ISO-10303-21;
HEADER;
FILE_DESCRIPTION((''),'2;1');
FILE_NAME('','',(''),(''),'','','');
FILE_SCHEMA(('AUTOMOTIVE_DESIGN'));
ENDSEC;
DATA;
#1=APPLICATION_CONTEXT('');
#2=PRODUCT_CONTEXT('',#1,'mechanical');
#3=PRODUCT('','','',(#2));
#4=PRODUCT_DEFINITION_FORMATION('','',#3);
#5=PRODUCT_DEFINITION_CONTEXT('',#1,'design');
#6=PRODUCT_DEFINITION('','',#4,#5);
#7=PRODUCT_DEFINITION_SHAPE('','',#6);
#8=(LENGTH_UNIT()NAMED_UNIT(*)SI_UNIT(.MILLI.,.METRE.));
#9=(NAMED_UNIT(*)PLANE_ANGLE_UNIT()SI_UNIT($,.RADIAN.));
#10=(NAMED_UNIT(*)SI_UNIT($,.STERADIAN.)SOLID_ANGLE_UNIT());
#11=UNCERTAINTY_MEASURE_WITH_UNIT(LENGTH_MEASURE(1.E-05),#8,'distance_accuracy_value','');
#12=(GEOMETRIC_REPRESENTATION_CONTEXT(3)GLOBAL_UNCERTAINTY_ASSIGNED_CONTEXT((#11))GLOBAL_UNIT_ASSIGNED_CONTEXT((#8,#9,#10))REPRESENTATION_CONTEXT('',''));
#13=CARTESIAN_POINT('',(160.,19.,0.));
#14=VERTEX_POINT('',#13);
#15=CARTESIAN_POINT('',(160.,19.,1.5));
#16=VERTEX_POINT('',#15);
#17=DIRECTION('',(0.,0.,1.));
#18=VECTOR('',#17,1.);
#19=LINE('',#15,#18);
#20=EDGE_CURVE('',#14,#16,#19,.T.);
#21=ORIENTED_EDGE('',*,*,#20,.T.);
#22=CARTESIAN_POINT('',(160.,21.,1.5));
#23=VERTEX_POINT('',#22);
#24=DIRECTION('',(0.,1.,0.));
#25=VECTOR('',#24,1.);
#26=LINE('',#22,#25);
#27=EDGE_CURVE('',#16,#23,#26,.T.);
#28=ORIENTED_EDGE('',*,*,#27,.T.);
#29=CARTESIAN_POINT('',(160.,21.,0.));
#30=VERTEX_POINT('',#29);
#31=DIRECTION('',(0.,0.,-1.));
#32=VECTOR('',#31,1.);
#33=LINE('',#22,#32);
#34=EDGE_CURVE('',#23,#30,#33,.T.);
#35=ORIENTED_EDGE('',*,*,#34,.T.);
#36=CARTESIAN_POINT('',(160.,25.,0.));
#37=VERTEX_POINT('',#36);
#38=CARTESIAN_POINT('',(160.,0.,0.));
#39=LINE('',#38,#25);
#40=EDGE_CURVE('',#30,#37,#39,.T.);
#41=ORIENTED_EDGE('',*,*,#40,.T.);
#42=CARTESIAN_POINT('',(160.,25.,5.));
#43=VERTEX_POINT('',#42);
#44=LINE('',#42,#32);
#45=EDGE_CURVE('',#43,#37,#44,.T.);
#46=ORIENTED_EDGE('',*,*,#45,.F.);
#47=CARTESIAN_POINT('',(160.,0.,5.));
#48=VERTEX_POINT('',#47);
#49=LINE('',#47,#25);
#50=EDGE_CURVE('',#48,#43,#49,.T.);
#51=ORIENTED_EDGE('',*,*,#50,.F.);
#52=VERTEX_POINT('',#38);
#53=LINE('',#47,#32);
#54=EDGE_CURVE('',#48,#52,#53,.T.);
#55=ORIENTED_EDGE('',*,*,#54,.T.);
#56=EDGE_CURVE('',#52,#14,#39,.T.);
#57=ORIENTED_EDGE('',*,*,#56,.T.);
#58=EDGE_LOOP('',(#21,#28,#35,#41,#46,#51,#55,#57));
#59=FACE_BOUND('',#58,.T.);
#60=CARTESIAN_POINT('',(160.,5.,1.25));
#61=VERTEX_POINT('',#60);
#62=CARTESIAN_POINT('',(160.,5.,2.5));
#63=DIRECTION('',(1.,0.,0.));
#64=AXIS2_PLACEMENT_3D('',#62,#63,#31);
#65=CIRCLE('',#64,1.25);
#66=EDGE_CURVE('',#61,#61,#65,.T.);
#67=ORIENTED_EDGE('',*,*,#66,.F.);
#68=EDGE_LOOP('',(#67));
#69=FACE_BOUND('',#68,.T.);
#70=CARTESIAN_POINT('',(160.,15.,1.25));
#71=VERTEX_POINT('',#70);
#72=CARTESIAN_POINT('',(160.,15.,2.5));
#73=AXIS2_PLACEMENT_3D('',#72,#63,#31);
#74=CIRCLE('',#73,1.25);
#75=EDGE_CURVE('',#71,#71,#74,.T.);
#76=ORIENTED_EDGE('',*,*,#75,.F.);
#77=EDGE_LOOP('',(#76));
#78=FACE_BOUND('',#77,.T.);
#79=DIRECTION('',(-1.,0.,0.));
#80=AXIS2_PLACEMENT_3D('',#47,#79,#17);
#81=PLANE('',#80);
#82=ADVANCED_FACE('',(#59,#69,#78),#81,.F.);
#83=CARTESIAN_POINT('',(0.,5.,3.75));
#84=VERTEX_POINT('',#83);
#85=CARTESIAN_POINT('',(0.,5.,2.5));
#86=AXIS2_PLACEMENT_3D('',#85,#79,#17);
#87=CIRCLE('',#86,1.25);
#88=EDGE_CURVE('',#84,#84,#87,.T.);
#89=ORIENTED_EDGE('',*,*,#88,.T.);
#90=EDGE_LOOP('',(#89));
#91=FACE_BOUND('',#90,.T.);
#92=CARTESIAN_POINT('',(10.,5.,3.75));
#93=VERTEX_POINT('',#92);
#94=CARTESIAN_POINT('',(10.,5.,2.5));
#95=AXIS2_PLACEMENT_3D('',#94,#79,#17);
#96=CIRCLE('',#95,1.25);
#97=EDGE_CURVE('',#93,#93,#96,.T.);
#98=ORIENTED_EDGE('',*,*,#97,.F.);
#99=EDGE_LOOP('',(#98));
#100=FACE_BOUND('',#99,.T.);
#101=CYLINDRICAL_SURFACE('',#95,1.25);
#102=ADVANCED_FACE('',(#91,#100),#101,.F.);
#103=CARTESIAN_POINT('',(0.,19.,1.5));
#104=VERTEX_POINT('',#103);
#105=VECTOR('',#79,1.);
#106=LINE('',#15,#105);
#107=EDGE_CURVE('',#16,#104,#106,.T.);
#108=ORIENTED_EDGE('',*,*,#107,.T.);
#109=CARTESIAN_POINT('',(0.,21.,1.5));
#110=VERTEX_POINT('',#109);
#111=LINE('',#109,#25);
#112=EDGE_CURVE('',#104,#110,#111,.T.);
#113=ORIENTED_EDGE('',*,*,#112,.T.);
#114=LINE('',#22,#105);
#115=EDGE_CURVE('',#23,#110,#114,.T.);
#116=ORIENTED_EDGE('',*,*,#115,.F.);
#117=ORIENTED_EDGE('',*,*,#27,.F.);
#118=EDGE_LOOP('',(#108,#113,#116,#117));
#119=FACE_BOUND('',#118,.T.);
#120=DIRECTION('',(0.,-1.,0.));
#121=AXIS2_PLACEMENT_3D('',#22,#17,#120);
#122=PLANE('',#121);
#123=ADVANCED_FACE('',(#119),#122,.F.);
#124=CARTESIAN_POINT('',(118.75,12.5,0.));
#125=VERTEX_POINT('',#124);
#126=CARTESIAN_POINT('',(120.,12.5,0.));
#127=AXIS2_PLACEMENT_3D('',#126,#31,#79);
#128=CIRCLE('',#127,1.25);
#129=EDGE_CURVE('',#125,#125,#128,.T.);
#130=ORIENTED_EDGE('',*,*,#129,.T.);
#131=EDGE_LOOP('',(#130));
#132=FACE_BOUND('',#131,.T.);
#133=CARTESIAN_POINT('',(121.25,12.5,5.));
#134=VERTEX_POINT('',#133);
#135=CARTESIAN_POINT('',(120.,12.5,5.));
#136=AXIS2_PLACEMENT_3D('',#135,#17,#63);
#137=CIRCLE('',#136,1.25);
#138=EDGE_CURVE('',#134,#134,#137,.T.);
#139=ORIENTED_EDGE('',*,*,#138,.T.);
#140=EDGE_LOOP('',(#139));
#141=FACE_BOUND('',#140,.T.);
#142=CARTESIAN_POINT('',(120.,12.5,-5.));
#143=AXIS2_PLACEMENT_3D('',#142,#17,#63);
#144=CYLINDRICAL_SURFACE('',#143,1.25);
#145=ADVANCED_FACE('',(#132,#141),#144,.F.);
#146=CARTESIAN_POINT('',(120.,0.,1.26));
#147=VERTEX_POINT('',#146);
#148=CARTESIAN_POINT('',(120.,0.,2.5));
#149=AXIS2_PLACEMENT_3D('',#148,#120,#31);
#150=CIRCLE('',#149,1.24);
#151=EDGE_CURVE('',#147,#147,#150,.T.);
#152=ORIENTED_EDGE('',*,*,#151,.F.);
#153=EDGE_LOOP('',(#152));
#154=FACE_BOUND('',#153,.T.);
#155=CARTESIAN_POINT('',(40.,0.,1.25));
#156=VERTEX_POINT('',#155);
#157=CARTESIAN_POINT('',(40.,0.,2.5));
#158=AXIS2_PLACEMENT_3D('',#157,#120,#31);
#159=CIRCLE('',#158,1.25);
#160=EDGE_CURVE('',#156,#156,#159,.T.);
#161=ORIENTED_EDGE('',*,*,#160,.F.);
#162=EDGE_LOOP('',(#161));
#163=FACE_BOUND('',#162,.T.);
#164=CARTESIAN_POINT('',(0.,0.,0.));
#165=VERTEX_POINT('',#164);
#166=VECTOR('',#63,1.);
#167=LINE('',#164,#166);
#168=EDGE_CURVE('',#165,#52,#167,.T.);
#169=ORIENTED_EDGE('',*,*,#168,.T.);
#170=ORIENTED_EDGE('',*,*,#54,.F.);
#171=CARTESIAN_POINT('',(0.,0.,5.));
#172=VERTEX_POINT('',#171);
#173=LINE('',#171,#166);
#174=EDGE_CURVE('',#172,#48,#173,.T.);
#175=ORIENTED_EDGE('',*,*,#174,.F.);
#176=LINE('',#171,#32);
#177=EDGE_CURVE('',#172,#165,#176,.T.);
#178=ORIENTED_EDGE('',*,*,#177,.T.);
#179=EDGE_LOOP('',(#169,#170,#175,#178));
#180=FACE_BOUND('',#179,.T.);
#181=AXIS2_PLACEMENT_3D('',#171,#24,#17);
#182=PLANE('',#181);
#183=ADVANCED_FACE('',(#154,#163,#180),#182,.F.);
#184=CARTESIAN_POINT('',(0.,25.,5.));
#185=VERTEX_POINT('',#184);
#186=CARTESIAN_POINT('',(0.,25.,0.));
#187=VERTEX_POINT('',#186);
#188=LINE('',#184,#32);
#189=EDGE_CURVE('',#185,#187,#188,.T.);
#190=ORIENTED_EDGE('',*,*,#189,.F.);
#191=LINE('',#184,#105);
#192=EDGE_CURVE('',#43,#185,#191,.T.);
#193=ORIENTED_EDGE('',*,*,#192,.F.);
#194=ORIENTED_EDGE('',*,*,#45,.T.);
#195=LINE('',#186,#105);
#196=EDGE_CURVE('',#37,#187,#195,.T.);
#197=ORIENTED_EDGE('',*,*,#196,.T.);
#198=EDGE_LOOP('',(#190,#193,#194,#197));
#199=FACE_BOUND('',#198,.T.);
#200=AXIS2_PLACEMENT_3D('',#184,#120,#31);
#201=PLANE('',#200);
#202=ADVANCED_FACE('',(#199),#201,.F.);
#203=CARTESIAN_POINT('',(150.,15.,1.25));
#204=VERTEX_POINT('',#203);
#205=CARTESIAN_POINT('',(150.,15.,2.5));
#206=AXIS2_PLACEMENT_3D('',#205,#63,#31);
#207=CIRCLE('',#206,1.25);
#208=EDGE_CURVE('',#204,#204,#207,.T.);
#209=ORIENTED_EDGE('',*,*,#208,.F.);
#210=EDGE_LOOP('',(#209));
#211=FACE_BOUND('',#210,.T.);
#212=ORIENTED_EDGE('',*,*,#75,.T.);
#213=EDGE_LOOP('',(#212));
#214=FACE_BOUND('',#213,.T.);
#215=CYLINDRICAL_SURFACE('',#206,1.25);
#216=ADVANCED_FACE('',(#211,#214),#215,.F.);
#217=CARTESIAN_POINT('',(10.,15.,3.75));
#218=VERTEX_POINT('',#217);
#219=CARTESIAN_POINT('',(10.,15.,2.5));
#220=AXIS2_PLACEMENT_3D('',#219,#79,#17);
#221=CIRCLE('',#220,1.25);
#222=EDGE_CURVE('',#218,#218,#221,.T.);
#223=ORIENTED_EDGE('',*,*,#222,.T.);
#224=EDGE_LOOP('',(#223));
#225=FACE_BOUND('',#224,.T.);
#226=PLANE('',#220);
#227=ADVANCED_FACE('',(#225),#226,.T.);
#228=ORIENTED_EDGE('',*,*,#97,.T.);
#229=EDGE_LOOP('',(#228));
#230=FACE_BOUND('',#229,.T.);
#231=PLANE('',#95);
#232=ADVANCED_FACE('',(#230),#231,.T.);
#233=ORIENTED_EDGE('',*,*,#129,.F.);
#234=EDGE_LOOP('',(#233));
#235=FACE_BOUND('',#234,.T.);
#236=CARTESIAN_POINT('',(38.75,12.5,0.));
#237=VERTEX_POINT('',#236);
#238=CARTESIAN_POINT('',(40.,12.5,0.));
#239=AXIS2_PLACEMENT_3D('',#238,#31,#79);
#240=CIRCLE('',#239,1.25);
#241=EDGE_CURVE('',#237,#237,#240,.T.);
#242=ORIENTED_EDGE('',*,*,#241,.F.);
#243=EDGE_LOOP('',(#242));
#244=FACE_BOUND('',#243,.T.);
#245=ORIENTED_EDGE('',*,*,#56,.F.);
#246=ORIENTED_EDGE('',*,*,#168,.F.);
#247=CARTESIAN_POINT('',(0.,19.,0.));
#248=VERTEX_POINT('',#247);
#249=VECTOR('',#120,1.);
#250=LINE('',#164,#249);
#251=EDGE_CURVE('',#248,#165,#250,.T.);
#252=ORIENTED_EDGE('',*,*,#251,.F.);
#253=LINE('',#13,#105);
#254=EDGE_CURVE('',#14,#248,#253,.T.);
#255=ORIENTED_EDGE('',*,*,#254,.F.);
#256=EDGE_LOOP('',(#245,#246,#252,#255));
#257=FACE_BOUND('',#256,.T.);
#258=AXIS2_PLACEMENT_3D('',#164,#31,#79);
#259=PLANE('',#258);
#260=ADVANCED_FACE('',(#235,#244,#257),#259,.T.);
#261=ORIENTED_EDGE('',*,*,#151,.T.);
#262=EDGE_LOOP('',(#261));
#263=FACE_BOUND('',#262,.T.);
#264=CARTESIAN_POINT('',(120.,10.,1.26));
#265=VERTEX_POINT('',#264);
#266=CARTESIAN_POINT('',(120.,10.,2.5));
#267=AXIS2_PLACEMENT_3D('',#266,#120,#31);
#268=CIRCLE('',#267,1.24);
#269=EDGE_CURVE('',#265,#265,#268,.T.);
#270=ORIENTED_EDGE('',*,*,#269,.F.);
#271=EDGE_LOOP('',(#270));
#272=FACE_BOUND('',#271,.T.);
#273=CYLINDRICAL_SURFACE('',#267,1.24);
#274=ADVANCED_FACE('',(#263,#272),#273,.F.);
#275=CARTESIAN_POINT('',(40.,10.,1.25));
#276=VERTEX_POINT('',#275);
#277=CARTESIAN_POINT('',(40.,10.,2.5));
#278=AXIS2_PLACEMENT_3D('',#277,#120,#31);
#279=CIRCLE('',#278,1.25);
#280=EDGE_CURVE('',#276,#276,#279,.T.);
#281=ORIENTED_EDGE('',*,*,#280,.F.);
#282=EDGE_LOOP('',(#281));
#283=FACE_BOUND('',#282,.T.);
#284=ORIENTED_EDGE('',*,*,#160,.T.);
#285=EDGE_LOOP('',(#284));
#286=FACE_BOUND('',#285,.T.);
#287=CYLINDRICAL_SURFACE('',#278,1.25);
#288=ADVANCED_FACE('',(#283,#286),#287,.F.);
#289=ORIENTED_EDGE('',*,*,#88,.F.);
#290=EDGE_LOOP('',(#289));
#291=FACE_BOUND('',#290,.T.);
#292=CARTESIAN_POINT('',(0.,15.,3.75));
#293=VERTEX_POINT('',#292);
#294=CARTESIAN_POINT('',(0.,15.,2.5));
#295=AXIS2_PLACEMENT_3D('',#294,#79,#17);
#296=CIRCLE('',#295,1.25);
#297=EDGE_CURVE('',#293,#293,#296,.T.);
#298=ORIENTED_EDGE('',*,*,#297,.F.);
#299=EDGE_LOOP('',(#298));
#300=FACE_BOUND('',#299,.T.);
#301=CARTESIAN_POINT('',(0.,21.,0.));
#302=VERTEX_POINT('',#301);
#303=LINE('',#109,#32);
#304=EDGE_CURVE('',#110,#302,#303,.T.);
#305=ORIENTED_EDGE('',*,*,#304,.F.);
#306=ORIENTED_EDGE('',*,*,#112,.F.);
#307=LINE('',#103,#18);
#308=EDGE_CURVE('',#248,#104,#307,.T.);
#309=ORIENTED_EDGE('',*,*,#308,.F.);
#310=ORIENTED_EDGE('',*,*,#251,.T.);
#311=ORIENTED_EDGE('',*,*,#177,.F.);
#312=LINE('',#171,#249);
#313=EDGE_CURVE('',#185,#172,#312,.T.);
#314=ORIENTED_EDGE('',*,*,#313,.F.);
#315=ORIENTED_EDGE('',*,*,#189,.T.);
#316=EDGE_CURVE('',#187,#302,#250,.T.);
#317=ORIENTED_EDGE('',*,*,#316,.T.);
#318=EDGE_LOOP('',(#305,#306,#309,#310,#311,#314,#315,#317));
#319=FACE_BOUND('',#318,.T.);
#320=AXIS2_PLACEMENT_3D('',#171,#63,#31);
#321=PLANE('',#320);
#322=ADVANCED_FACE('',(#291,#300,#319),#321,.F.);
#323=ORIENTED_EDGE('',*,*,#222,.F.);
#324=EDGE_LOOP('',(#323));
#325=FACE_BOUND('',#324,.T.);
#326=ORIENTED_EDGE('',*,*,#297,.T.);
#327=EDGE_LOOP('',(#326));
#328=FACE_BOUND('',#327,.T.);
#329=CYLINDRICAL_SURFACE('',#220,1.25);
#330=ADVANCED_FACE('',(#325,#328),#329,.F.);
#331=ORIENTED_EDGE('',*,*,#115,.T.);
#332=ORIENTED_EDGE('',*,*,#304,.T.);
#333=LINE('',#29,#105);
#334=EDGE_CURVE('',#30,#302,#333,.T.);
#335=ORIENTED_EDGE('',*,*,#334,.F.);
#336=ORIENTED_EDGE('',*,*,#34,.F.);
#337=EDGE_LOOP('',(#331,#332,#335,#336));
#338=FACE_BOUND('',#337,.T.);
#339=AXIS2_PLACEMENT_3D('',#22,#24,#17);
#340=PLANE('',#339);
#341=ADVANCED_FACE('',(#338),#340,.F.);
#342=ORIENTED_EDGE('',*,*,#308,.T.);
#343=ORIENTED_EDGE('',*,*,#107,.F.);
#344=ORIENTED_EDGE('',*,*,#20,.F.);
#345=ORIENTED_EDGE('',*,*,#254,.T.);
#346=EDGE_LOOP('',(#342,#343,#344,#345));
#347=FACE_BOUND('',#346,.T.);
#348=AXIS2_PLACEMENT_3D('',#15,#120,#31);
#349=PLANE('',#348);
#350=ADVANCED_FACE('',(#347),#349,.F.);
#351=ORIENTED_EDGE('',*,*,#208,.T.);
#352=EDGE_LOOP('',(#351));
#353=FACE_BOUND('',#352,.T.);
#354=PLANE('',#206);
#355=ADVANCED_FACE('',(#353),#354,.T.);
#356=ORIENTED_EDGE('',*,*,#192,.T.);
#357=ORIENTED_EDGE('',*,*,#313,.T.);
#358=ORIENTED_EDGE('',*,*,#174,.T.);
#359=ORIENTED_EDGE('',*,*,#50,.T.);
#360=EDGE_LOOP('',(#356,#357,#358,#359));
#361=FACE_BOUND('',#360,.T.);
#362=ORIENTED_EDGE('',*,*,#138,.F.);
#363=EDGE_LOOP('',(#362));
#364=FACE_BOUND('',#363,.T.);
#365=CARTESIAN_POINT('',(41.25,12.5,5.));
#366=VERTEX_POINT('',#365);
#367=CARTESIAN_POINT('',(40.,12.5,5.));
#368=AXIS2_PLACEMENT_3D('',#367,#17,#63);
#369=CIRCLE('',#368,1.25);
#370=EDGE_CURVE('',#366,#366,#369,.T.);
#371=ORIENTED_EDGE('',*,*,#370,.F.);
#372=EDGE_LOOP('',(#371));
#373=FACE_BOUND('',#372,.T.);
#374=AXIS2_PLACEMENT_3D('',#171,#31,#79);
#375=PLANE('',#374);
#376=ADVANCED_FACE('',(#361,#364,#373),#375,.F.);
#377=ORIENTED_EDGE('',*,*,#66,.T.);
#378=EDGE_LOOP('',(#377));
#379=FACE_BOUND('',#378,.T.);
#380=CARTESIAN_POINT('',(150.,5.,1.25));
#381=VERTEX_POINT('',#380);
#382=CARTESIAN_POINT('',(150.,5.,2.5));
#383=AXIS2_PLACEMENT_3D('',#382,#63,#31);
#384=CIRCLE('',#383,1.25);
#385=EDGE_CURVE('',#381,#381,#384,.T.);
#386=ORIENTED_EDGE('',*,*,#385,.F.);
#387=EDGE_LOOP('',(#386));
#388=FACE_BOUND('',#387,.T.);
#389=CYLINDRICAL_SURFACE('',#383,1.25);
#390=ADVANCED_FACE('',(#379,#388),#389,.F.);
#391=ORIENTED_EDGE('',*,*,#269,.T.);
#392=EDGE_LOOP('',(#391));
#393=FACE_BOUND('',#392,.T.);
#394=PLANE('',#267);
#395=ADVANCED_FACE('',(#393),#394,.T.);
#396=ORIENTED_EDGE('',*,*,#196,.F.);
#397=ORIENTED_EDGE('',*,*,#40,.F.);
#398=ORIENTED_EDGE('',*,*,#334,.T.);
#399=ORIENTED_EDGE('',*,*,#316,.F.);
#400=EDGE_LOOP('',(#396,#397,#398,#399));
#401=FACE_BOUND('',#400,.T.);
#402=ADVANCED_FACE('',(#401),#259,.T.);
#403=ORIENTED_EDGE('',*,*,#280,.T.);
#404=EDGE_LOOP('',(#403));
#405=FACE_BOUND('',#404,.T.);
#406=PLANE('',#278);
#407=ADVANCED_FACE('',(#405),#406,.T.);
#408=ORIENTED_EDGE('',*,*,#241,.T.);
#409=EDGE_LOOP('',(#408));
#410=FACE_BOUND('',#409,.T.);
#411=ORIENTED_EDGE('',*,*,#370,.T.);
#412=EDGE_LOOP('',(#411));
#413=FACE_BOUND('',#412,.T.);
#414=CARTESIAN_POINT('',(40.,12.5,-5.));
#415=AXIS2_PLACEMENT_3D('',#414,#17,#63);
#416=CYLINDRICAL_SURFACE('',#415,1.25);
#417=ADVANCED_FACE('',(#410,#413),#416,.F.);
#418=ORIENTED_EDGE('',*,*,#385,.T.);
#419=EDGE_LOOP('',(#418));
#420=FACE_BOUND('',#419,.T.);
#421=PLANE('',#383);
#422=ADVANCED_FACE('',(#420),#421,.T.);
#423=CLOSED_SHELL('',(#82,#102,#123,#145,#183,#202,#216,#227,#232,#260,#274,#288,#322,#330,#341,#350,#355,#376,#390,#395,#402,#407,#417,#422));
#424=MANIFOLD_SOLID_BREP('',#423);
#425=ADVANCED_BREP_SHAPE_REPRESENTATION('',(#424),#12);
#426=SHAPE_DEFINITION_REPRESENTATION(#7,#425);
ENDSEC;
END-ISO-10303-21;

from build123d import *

# Parameters (mm, degrees)
SKETCH1_W           = 160
SKETCH1_H           = 25
BOSS_EXTRUDE1_DEPTH = 5
SKETCH2_R           = 1.25
SKETCH2_R_2         = 1.24
CUT_EXTRUDE1_DEPTH  = 10
SKETCH5_W           = 1.5
SKETCH5_H           = 2
CUT_EXTRUDE4_DEPTH  = 163.01851746
SKETCH6_R           = 1.25
CUT_EXTRUDE5_DEPTH  = 10
SKETCH7_R           = 1.25
CUT_EXTRUDE6_DEPTH  = 10
CUT_EXTRUDE7_START  = -10
SKETCH8_R           = 1.25
CUT_EXTRUDE7_DEPTH  = 10


with BuildPart() as part:
    # Sketch1 → Boss-Extrude1 (new body)
    with BuildSketch(Plane.XY):
        with Locations((80, 12.5)):
            Rectangle(SKETCH1_W, SKETCH1_H)
    extrude(amount=BOSS_EXTRUDE1_DEPTH)

    # Sketch2 → Cut-Extrude1 (cut)
    with BuildSketch(Plane.XZ):
        with Locations(Location((40, 2.5, 0), (0, 0, 270))):
            Circle(SKETCH2_R)
        with Locations(Location((120, 2.5, 0), (0, 0, 270))):
            Circle(SKETCH2_R_2)
    extrude(amount=-CUT_EXTRUDE1_DEPTH, mode=Mode.SUBTRACT)

    # Sketch5 → Cut-Extrude4 (cut, through all)
    with BuildSketch(Plane.ZY):
        with Locations((0.75, 20)):
            Rectangle(SKETCH5_W, SKETCH5_H)
    extrude(amount=-CUT_EXTRUDE4_DEPTH, mode=Mode.SUBTRACT)

    # Sketch6 → Cut-Extrude5 (cut)
    with BuildSketch(Plane.XY.offset(5)):
        with Locations((40, 12.5)):
            Circle(SKETCH6_R)
        with Locations((120, 12.5)):
            Circle(SKETCH6_R)
    extrude(amount=-CUT_EXTRUDE5_DEPTH, mode=Mode.SUBTRACT)

    # Sketch7 → Cut-Extrude6 (cut)
    with BuildSketch(Plane.ZY):
        with Locations((2.5, 5)):
            Circle(SKETCH7_R)
        with Locations((2.5, 15)):
            Circle(SKETCH7_R)
    extrude(amount=-CUT_EXTRUDE6_DEPTH, mode=Mode.SUBTRACT)

    # Sketch8 → Cut-Extrude7 (cut)
    with BuildSketch(Plane(origin=(160, 0, 0), x_dir=(0, 0, -1), z_dir=(1, 0, 0)).offset(CUT_EXTRUDE7_START)):
        with Locations(Location((-2.5, 5, 0), (0, 0, 180))):
            Circle(SKETCH8_R)
        with Locations(Location((-2.5, 15, 0), (0, 0, 180))):
            Circle(SKETCH8_R)
    extrude(amount=CUT_EXTRUDE7_DEPTH, mode=Mode.SUBTRACT)


solid = part.part
